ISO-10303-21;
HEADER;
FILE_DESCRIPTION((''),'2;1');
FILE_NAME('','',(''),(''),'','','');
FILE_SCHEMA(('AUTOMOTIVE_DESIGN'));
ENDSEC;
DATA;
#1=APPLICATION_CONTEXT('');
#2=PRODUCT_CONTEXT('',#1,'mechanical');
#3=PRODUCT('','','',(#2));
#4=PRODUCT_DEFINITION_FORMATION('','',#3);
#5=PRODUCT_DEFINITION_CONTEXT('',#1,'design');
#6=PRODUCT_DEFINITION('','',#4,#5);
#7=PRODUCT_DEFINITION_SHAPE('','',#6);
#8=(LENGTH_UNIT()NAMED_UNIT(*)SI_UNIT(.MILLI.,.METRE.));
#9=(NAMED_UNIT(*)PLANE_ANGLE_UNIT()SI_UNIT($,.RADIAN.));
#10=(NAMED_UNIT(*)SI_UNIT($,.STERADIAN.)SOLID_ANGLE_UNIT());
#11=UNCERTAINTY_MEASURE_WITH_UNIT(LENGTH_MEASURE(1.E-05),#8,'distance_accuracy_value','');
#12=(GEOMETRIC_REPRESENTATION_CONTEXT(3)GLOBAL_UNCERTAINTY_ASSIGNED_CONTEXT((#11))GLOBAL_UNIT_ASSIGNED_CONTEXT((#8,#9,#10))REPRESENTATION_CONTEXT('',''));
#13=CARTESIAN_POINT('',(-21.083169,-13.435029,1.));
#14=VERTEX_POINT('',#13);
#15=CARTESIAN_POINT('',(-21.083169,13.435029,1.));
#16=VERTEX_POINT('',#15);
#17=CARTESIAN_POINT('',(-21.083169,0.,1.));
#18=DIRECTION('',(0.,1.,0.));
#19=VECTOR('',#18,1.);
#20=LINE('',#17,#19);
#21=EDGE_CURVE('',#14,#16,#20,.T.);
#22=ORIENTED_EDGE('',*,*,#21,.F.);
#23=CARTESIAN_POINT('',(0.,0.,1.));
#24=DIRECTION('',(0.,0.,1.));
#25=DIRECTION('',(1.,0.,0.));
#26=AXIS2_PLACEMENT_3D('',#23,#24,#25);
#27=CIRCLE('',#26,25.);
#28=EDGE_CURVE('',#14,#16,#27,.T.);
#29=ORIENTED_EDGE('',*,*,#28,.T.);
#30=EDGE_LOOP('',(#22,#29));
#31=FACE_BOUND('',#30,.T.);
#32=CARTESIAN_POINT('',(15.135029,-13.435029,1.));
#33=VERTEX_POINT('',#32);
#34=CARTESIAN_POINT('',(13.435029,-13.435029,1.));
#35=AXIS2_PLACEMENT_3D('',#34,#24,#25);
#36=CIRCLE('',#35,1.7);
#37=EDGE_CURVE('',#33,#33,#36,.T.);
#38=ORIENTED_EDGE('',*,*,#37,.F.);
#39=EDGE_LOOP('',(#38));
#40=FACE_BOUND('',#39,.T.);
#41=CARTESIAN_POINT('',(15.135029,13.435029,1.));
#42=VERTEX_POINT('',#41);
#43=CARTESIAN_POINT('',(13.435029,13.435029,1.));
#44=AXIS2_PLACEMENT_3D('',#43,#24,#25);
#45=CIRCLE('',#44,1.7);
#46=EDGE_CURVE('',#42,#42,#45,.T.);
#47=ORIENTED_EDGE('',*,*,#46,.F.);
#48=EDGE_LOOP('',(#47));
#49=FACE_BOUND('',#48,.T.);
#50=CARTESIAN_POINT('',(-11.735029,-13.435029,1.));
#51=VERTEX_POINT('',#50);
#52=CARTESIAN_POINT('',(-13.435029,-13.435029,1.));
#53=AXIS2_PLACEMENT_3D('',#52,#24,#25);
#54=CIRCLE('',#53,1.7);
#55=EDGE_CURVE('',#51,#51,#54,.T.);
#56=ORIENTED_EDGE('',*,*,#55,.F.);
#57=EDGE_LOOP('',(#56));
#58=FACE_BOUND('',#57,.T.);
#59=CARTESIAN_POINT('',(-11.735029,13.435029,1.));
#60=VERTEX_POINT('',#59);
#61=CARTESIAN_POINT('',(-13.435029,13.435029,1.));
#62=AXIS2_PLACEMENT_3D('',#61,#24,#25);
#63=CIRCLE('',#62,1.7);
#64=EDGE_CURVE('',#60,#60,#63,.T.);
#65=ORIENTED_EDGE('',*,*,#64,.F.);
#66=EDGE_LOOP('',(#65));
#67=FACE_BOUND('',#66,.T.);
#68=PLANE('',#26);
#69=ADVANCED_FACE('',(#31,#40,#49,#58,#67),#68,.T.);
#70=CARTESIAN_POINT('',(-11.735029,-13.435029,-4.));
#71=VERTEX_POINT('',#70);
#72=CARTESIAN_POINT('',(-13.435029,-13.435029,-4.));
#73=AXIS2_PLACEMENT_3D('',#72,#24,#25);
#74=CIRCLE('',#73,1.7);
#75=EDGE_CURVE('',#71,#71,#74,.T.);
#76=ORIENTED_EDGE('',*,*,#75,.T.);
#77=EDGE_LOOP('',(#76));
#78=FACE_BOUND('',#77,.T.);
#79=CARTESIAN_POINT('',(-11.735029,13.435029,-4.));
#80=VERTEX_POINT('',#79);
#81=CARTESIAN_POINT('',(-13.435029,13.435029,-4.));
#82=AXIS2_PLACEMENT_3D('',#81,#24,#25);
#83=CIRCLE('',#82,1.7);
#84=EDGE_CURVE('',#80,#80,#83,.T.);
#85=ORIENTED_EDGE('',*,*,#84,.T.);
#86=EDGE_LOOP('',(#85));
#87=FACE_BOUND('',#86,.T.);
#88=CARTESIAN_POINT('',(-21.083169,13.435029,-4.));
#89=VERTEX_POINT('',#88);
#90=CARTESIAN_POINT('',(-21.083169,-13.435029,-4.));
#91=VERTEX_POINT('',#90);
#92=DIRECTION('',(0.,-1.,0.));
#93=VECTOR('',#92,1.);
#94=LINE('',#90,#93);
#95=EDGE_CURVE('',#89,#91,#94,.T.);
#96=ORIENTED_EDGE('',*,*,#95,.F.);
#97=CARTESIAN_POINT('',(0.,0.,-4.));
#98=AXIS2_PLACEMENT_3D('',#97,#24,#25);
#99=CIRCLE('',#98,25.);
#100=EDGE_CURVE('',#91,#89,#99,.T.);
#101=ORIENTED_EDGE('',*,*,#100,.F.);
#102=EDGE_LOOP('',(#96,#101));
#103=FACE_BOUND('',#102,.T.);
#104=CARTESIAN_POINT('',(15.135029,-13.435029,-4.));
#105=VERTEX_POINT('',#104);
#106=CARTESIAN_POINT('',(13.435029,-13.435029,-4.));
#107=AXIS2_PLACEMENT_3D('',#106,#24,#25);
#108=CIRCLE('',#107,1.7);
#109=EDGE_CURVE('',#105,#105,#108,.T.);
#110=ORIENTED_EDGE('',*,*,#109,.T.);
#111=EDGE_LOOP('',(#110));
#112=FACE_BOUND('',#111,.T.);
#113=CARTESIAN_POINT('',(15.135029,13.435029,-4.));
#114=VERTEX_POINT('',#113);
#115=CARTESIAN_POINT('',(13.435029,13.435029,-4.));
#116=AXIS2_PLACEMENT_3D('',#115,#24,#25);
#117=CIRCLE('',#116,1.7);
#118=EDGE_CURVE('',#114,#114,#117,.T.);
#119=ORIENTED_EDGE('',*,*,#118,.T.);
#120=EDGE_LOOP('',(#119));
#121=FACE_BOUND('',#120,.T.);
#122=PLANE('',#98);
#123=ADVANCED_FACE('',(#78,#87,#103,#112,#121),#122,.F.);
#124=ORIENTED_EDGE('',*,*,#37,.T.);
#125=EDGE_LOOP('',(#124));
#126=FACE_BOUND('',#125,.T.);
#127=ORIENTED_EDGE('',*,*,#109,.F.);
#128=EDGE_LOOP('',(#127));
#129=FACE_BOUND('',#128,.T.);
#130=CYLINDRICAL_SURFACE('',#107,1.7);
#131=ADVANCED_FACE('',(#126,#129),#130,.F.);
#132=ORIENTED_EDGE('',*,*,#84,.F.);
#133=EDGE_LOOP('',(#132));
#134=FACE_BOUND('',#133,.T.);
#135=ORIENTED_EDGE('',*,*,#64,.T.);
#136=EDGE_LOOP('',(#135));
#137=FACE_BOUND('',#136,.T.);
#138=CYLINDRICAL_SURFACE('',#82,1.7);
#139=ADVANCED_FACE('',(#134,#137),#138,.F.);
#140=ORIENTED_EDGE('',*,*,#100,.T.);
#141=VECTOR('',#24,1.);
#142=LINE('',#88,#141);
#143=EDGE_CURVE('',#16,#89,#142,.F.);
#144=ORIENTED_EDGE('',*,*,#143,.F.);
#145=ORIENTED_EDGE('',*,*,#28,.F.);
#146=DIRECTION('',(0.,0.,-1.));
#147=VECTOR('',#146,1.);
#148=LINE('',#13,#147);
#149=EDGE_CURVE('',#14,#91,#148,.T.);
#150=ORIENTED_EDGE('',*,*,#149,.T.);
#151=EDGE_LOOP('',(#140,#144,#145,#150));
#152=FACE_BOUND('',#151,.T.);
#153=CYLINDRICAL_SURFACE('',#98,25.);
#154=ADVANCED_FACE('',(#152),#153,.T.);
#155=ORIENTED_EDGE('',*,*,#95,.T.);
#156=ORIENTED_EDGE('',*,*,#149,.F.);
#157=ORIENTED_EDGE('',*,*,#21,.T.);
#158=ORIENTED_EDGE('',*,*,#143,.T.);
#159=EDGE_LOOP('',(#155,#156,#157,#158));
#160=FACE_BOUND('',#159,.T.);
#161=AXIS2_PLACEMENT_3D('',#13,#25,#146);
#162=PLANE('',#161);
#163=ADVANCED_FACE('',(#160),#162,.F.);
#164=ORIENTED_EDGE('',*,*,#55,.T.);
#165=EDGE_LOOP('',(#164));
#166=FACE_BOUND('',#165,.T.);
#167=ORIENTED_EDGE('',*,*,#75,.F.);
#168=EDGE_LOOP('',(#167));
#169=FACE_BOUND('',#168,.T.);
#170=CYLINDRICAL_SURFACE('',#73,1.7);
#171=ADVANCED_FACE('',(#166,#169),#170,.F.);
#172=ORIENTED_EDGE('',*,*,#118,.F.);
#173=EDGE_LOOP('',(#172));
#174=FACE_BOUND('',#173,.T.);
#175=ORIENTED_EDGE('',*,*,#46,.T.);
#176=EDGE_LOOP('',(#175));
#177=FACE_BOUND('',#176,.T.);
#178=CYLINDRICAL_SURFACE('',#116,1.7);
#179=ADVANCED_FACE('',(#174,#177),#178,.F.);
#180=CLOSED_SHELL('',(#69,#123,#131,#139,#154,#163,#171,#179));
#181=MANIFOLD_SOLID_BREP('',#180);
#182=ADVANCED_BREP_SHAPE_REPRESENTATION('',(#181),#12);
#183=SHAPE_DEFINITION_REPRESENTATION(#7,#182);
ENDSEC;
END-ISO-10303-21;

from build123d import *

# Parameters (mm, degrees)
BOSS_EXTRU_1_DEPTH      = 1
BOSS_EXTRU_1_DEPTH_BACK = 4
ESQUISSE1_R             = 25
ESQUISSE1_R_2           = 1.7
ESQUISSE2_W             = 7.120092975
ESQUISSE2_H             = 26.945103847
ENL_V_MAT_EXTRU_1_DEPTH = 36.707142143


with BuildPart() as part:
    # Esquisse1 → Boss.-Extru.1 (new, two sides: drawn at the far end of the back side and taken through both)
    with BuildSketch(Plane.XY.offset(-BOSS_EXTRU_1_DEPTH_BACK)):
        Circle(ESQUISSE1_R)
        with Locations((-13.435028843, 13.435028843)):
            Circle(ESQUISSE1_R_2, mode=Mode.SUBTRACT)
        with Locations((13.435028843, 13.435028843)):
            Circle(ESQUISSE1_R_2, mode=Mode.SUBTRACT)
        with Locations((13.435028843, -13.435028843)):
            Circle(ESQUISSE1_R_2, mode=Mode.SUBTRACT)
        with Locations((-13.435028843, -13.435028843)):
            Circle(ESQUISSE1_R_2, mode=Mode.SUBTRACT)
    extrude(amount=BOSS_EXTRU_1_DEPTH + BOSS_EXTRU_1_DEPTH_BACK)

    # Esquisse2 → Enlèv. mat.-Extru.1 (cut, through all)
    with BuildSketch(Plane(origin=(0, 0, -4), x_dir=(-1, 0, 0), z_dir=(0, 0, -1))):
        with Locations((24.643215129, 0.03752308)):
            Rectangle(ESQUISSE2_W, ESQUISSE2_H)
    extrude(amount=-ENL_V_MAT_EXTRU_1_DEPTH, mode=Mode.SUBTRACT)


solid = part.part
